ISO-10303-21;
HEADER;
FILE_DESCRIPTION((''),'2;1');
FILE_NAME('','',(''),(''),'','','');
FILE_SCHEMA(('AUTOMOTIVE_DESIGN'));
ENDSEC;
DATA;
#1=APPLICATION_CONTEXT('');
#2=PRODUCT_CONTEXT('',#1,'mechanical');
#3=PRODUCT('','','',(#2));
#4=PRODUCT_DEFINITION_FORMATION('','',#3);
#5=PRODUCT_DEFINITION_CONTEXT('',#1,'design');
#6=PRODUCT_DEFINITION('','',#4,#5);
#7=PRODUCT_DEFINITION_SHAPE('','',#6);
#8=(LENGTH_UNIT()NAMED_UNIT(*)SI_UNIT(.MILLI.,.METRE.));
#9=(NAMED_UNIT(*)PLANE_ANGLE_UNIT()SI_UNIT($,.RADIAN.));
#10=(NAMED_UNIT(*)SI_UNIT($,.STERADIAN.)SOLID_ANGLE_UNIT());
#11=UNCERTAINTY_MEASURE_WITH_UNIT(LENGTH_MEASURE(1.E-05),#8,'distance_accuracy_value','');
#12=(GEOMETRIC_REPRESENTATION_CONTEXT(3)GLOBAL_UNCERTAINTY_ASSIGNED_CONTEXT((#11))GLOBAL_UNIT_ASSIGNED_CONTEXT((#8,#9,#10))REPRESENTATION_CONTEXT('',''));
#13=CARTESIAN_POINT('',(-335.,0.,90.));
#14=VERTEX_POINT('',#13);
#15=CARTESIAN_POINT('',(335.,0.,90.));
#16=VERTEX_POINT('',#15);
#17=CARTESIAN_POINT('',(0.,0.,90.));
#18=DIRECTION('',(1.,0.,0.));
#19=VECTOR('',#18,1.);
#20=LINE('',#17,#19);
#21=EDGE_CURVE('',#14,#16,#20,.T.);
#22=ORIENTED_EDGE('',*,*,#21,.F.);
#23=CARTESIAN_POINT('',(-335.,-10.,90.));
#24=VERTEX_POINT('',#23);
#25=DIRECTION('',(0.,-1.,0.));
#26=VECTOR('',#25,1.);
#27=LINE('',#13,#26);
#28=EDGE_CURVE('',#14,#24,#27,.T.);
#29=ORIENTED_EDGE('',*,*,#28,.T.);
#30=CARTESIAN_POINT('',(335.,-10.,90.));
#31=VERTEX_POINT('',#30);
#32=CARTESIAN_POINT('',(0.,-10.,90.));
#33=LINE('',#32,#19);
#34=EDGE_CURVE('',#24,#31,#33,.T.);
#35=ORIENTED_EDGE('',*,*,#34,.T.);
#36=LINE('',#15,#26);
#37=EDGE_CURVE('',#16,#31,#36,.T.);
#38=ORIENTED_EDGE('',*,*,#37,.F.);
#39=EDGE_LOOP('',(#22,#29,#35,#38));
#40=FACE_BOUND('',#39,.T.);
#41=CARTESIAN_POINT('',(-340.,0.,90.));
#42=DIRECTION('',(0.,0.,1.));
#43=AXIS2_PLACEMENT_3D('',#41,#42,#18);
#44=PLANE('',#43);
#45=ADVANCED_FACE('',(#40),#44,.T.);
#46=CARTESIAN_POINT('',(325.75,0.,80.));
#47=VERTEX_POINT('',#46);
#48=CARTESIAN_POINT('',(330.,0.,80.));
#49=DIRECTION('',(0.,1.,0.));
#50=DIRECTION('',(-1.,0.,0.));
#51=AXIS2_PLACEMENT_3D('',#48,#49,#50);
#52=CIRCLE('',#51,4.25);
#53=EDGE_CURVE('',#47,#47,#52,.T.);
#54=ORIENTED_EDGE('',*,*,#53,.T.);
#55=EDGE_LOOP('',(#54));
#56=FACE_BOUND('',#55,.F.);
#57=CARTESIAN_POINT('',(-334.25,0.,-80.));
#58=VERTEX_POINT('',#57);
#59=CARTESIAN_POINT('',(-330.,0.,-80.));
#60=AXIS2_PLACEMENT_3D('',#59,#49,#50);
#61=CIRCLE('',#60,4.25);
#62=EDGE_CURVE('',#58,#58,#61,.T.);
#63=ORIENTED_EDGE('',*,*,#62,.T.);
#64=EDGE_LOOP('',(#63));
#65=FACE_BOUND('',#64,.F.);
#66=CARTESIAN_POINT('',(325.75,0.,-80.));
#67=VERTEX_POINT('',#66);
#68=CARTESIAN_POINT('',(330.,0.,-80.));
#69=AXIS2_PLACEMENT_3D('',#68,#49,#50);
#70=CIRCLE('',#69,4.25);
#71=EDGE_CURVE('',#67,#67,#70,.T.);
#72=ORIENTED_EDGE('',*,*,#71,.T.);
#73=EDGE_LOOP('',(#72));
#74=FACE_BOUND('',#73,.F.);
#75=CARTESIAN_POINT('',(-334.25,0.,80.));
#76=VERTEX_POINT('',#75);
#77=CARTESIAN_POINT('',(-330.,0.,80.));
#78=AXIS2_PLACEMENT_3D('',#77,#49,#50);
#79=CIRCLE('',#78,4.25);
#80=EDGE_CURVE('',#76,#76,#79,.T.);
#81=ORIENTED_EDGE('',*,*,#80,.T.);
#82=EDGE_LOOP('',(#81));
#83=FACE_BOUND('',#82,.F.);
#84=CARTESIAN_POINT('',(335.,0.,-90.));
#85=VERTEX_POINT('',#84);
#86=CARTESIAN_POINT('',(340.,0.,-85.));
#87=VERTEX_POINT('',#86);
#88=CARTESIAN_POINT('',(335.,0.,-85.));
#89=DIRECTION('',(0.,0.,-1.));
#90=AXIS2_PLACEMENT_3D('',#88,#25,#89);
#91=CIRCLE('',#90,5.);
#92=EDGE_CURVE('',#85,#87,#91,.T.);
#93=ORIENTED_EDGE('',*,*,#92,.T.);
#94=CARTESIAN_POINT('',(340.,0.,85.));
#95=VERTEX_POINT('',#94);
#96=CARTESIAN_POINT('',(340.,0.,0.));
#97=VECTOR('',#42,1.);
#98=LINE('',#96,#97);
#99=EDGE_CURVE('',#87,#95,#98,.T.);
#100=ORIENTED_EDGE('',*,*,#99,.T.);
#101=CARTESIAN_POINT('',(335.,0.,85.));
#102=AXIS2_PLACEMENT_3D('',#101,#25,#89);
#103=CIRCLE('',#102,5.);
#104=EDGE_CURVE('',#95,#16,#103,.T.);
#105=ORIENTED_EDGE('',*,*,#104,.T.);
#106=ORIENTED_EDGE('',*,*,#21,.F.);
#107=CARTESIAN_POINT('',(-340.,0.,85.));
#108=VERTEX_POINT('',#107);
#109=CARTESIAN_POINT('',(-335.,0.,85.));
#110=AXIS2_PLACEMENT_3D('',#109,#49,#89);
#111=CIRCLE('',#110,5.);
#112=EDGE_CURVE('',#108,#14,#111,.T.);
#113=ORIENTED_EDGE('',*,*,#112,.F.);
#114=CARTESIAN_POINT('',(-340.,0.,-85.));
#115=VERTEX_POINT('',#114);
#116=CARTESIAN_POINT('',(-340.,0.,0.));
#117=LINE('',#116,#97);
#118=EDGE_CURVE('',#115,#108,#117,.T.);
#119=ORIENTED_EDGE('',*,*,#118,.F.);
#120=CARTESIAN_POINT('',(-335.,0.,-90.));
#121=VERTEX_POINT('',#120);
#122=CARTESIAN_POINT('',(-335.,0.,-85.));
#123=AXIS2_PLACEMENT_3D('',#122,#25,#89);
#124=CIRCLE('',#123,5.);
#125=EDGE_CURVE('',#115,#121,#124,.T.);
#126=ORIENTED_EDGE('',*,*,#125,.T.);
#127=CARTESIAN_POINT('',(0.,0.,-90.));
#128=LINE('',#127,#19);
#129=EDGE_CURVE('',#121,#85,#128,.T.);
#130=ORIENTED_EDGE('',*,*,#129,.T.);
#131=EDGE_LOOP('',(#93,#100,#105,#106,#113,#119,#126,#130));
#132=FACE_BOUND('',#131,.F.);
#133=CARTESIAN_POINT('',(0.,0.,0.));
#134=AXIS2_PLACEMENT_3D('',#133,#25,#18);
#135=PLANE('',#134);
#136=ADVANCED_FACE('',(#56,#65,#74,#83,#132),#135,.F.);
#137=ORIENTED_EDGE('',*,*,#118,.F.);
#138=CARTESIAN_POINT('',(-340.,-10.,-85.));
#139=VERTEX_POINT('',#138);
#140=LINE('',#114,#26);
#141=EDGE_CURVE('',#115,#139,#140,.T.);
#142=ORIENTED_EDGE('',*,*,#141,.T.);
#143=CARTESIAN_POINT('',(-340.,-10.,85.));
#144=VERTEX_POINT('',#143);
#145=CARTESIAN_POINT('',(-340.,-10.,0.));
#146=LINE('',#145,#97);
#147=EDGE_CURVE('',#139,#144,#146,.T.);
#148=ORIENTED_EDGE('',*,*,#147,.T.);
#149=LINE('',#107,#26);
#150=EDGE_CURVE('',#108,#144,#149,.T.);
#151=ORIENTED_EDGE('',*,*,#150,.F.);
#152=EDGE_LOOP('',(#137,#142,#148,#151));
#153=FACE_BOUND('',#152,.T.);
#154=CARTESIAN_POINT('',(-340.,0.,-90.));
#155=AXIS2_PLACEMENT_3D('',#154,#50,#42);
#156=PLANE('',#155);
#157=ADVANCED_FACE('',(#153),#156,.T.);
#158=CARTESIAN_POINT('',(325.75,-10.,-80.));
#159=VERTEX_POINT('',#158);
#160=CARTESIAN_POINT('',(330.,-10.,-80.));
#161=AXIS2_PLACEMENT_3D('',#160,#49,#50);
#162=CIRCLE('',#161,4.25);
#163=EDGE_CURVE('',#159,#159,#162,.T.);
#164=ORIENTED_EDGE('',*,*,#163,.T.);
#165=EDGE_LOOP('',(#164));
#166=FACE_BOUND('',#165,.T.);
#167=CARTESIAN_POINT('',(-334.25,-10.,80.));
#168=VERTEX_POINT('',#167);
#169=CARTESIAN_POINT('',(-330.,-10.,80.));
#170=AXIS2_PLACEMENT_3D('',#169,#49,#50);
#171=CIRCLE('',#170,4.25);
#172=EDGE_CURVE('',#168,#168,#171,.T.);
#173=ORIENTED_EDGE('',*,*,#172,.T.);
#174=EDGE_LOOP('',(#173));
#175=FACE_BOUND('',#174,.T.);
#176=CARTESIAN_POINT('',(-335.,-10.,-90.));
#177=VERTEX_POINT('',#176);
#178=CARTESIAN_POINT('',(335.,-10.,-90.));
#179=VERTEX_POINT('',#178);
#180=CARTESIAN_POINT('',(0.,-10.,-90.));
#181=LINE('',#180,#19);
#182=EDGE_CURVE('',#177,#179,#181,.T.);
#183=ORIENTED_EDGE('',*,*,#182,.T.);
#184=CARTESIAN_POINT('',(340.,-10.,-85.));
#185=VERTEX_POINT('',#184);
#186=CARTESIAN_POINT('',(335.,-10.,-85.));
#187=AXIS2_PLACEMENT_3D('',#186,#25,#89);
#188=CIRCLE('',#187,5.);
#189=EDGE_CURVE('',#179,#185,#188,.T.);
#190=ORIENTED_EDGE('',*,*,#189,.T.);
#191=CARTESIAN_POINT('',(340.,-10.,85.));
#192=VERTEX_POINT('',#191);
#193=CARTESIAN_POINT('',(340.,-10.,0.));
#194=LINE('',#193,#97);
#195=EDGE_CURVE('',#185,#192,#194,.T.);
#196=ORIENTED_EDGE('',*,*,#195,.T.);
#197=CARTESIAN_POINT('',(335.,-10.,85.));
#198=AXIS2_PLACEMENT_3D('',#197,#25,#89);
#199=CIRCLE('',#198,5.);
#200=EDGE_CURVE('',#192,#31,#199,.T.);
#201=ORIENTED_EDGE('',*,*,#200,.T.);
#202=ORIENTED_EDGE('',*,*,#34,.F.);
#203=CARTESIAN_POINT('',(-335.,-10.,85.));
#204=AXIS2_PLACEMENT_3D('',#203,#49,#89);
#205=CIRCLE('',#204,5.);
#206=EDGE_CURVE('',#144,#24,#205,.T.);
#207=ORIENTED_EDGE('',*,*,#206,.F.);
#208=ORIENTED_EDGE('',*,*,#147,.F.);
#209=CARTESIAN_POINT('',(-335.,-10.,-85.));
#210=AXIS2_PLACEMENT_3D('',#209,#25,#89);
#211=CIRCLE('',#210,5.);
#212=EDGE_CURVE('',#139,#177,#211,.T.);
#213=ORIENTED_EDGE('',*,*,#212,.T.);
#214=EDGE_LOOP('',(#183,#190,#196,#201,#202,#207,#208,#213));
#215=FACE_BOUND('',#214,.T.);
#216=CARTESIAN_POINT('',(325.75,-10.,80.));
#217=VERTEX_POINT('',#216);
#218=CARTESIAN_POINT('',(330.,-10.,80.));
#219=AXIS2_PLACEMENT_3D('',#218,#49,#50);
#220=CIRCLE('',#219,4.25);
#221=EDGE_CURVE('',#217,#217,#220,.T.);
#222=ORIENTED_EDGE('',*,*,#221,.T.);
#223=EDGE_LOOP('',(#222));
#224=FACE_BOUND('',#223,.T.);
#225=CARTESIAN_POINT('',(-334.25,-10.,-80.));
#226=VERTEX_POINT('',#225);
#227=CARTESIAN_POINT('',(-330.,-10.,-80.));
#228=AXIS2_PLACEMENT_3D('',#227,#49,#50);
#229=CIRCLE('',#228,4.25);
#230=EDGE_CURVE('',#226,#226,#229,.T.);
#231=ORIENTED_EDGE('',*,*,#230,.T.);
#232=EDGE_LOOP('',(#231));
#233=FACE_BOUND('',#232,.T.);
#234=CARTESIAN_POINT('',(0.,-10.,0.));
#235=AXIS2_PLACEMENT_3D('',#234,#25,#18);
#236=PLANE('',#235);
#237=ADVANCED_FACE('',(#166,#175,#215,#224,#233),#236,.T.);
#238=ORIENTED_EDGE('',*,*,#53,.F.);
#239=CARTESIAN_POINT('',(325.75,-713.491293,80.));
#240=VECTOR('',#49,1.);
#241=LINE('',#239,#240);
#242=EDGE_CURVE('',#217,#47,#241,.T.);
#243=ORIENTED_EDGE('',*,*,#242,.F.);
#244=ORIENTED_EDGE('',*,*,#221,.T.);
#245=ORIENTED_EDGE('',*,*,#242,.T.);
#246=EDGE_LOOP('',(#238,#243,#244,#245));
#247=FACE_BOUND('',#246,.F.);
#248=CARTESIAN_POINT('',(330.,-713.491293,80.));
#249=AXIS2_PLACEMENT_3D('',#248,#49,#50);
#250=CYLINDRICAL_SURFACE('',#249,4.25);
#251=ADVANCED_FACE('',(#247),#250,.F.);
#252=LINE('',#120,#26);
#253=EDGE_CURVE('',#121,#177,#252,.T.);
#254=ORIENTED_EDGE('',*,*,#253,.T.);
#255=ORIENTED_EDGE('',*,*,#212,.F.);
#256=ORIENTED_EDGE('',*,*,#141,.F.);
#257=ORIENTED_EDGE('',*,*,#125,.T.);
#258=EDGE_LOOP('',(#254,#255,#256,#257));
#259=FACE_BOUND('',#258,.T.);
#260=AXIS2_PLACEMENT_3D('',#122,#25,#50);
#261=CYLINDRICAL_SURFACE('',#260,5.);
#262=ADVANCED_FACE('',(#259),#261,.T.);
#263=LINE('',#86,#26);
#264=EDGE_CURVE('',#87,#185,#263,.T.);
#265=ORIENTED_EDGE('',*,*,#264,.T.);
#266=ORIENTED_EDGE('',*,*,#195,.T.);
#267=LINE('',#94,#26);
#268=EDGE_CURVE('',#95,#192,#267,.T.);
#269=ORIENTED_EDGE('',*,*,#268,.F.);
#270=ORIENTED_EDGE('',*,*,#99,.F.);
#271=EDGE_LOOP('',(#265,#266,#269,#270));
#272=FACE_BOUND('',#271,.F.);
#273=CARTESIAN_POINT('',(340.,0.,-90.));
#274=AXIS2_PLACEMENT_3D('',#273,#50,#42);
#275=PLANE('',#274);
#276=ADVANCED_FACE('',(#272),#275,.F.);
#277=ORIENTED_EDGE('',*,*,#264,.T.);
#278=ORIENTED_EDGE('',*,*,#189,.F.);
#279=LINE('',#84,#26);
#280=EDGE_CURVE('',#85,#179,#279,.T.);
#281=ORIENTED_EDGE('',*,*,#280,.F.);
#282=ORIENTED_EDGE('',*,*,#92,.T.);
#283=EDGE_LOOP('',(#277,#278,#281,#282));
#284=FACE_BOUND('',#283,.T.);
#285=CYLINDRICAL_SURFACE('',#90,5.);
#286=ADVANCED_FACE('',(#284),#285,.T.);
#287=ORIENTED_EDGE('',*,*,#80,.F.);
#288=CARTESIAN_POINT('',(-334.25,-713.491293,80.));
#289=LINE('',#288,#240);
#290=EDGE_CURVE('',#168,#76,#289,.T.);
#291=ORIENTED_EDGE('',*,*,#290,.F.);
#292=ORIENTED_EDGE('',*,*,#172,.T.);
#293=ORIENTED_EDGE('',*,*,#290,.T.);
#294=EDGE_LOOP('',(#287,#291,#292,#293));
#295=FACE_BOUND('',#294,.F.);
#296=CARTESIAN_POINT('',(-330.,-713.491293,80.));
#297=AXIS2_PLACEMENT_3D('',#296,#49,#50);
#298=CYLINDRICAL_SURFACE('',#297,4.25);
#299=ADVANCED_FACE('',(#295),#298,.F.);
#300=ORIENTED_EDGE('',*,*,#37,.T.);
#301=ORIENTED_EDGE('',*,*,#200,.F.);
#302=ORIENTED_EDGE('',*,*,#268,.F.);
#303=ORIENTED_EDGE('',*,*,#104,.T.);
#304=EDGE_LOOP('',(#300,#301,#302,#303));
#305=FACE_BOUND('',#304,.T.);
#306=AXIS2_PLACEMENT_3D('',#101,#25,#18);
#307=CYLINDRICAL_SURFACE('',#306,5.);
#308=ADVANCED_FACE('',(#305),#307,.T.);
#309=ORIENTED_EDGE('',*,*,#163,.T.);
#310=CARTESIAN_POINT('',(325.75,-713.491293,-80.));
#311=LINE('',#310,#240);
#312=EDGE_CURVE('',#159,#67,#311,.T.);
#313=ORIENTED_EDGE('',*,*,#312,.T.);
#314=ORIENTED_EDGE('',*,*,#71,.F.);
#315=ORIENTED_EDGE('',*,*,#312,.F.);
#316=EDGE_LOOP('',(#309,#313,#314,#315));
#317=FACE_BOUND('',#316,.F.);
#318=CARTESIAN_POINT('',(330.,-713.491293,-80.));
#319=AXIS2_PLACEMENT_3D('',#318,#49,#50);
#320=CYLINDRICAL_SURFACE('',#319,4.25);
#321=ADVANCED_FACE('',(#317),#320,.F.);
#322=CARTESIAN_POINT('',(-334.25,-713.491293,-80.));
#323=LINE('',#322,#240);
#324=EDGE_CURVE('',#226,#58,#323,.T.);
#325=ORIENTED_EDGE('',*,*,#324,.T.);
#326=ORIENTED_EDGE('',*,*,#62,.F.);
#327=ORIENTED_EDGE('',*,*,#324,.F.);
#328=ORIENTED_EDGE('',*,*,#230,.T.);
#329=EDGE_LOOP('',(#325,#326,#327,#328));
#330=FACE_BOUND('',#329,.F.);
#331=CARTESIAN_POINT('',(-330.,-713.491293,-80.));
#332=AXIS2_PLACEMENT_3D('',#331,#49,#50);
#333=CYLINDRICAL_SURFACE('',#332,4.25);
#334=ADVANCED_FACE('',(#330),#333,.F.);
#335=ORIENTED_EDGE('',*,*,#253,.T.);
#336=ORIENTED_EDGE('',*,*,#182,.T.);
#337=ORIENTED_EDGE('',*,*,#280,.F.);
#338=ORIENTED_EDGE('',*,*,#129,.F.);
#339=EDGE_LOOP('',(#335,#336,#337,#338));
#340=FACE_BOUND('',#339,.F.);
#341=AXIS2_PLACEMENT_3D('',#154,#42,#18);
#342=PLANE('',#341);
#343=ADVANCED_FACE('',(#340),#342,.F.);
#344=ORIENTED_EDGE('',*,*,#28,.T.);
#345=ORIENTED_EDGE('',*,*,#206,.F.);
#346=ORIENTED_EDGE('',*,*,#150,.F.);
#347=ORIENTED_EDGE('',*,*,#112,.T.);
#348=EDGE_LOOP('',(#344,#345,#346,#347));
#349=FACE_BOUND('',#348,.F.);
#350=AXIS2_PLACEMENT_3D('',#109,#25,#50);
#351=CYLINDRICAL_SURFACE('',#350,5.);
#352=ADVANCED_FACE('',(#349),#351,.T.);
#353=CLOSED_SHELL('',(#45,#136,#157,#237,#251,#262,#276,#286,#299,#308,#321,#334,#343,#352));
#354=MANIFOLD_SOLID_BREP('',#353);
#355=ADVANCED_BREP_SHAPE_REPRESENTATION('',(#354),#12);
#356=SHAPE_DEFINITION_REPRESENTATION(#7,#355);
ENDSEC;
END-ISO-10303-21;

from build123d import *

# Parameters (mm, degrees)
F0_W     = 680
F0_H     = 180
F1_DEPTH = 10
F2_R     = 5
F4_D     = 8.5


with BuildPart() as f1:
    # F0 (on Front) → F1 (new body)
    with BuildSketch(Plane.XZ):
        Rectangle(F0_W, F0_H)
    extrude(amount=F1_DEPTH)

    # F2
    f2_edges = [f1.edges().sort_by_distance(p)[0] for p in [
        (-340, -5, 90),
        (340, -5, 90),
        (340, -5, -90),
        (-340, -5, -90),
    ]]
    fillet(f2_edges, radius=F2_R)

    # F4 (through all)
    with Locations(Plane.XZ.offset(10)):
        with Locations((-330, 80), (-330, -80), (330, -80), (330, 80)):
            Hole(F4_D / 2)


solid = f1.part
